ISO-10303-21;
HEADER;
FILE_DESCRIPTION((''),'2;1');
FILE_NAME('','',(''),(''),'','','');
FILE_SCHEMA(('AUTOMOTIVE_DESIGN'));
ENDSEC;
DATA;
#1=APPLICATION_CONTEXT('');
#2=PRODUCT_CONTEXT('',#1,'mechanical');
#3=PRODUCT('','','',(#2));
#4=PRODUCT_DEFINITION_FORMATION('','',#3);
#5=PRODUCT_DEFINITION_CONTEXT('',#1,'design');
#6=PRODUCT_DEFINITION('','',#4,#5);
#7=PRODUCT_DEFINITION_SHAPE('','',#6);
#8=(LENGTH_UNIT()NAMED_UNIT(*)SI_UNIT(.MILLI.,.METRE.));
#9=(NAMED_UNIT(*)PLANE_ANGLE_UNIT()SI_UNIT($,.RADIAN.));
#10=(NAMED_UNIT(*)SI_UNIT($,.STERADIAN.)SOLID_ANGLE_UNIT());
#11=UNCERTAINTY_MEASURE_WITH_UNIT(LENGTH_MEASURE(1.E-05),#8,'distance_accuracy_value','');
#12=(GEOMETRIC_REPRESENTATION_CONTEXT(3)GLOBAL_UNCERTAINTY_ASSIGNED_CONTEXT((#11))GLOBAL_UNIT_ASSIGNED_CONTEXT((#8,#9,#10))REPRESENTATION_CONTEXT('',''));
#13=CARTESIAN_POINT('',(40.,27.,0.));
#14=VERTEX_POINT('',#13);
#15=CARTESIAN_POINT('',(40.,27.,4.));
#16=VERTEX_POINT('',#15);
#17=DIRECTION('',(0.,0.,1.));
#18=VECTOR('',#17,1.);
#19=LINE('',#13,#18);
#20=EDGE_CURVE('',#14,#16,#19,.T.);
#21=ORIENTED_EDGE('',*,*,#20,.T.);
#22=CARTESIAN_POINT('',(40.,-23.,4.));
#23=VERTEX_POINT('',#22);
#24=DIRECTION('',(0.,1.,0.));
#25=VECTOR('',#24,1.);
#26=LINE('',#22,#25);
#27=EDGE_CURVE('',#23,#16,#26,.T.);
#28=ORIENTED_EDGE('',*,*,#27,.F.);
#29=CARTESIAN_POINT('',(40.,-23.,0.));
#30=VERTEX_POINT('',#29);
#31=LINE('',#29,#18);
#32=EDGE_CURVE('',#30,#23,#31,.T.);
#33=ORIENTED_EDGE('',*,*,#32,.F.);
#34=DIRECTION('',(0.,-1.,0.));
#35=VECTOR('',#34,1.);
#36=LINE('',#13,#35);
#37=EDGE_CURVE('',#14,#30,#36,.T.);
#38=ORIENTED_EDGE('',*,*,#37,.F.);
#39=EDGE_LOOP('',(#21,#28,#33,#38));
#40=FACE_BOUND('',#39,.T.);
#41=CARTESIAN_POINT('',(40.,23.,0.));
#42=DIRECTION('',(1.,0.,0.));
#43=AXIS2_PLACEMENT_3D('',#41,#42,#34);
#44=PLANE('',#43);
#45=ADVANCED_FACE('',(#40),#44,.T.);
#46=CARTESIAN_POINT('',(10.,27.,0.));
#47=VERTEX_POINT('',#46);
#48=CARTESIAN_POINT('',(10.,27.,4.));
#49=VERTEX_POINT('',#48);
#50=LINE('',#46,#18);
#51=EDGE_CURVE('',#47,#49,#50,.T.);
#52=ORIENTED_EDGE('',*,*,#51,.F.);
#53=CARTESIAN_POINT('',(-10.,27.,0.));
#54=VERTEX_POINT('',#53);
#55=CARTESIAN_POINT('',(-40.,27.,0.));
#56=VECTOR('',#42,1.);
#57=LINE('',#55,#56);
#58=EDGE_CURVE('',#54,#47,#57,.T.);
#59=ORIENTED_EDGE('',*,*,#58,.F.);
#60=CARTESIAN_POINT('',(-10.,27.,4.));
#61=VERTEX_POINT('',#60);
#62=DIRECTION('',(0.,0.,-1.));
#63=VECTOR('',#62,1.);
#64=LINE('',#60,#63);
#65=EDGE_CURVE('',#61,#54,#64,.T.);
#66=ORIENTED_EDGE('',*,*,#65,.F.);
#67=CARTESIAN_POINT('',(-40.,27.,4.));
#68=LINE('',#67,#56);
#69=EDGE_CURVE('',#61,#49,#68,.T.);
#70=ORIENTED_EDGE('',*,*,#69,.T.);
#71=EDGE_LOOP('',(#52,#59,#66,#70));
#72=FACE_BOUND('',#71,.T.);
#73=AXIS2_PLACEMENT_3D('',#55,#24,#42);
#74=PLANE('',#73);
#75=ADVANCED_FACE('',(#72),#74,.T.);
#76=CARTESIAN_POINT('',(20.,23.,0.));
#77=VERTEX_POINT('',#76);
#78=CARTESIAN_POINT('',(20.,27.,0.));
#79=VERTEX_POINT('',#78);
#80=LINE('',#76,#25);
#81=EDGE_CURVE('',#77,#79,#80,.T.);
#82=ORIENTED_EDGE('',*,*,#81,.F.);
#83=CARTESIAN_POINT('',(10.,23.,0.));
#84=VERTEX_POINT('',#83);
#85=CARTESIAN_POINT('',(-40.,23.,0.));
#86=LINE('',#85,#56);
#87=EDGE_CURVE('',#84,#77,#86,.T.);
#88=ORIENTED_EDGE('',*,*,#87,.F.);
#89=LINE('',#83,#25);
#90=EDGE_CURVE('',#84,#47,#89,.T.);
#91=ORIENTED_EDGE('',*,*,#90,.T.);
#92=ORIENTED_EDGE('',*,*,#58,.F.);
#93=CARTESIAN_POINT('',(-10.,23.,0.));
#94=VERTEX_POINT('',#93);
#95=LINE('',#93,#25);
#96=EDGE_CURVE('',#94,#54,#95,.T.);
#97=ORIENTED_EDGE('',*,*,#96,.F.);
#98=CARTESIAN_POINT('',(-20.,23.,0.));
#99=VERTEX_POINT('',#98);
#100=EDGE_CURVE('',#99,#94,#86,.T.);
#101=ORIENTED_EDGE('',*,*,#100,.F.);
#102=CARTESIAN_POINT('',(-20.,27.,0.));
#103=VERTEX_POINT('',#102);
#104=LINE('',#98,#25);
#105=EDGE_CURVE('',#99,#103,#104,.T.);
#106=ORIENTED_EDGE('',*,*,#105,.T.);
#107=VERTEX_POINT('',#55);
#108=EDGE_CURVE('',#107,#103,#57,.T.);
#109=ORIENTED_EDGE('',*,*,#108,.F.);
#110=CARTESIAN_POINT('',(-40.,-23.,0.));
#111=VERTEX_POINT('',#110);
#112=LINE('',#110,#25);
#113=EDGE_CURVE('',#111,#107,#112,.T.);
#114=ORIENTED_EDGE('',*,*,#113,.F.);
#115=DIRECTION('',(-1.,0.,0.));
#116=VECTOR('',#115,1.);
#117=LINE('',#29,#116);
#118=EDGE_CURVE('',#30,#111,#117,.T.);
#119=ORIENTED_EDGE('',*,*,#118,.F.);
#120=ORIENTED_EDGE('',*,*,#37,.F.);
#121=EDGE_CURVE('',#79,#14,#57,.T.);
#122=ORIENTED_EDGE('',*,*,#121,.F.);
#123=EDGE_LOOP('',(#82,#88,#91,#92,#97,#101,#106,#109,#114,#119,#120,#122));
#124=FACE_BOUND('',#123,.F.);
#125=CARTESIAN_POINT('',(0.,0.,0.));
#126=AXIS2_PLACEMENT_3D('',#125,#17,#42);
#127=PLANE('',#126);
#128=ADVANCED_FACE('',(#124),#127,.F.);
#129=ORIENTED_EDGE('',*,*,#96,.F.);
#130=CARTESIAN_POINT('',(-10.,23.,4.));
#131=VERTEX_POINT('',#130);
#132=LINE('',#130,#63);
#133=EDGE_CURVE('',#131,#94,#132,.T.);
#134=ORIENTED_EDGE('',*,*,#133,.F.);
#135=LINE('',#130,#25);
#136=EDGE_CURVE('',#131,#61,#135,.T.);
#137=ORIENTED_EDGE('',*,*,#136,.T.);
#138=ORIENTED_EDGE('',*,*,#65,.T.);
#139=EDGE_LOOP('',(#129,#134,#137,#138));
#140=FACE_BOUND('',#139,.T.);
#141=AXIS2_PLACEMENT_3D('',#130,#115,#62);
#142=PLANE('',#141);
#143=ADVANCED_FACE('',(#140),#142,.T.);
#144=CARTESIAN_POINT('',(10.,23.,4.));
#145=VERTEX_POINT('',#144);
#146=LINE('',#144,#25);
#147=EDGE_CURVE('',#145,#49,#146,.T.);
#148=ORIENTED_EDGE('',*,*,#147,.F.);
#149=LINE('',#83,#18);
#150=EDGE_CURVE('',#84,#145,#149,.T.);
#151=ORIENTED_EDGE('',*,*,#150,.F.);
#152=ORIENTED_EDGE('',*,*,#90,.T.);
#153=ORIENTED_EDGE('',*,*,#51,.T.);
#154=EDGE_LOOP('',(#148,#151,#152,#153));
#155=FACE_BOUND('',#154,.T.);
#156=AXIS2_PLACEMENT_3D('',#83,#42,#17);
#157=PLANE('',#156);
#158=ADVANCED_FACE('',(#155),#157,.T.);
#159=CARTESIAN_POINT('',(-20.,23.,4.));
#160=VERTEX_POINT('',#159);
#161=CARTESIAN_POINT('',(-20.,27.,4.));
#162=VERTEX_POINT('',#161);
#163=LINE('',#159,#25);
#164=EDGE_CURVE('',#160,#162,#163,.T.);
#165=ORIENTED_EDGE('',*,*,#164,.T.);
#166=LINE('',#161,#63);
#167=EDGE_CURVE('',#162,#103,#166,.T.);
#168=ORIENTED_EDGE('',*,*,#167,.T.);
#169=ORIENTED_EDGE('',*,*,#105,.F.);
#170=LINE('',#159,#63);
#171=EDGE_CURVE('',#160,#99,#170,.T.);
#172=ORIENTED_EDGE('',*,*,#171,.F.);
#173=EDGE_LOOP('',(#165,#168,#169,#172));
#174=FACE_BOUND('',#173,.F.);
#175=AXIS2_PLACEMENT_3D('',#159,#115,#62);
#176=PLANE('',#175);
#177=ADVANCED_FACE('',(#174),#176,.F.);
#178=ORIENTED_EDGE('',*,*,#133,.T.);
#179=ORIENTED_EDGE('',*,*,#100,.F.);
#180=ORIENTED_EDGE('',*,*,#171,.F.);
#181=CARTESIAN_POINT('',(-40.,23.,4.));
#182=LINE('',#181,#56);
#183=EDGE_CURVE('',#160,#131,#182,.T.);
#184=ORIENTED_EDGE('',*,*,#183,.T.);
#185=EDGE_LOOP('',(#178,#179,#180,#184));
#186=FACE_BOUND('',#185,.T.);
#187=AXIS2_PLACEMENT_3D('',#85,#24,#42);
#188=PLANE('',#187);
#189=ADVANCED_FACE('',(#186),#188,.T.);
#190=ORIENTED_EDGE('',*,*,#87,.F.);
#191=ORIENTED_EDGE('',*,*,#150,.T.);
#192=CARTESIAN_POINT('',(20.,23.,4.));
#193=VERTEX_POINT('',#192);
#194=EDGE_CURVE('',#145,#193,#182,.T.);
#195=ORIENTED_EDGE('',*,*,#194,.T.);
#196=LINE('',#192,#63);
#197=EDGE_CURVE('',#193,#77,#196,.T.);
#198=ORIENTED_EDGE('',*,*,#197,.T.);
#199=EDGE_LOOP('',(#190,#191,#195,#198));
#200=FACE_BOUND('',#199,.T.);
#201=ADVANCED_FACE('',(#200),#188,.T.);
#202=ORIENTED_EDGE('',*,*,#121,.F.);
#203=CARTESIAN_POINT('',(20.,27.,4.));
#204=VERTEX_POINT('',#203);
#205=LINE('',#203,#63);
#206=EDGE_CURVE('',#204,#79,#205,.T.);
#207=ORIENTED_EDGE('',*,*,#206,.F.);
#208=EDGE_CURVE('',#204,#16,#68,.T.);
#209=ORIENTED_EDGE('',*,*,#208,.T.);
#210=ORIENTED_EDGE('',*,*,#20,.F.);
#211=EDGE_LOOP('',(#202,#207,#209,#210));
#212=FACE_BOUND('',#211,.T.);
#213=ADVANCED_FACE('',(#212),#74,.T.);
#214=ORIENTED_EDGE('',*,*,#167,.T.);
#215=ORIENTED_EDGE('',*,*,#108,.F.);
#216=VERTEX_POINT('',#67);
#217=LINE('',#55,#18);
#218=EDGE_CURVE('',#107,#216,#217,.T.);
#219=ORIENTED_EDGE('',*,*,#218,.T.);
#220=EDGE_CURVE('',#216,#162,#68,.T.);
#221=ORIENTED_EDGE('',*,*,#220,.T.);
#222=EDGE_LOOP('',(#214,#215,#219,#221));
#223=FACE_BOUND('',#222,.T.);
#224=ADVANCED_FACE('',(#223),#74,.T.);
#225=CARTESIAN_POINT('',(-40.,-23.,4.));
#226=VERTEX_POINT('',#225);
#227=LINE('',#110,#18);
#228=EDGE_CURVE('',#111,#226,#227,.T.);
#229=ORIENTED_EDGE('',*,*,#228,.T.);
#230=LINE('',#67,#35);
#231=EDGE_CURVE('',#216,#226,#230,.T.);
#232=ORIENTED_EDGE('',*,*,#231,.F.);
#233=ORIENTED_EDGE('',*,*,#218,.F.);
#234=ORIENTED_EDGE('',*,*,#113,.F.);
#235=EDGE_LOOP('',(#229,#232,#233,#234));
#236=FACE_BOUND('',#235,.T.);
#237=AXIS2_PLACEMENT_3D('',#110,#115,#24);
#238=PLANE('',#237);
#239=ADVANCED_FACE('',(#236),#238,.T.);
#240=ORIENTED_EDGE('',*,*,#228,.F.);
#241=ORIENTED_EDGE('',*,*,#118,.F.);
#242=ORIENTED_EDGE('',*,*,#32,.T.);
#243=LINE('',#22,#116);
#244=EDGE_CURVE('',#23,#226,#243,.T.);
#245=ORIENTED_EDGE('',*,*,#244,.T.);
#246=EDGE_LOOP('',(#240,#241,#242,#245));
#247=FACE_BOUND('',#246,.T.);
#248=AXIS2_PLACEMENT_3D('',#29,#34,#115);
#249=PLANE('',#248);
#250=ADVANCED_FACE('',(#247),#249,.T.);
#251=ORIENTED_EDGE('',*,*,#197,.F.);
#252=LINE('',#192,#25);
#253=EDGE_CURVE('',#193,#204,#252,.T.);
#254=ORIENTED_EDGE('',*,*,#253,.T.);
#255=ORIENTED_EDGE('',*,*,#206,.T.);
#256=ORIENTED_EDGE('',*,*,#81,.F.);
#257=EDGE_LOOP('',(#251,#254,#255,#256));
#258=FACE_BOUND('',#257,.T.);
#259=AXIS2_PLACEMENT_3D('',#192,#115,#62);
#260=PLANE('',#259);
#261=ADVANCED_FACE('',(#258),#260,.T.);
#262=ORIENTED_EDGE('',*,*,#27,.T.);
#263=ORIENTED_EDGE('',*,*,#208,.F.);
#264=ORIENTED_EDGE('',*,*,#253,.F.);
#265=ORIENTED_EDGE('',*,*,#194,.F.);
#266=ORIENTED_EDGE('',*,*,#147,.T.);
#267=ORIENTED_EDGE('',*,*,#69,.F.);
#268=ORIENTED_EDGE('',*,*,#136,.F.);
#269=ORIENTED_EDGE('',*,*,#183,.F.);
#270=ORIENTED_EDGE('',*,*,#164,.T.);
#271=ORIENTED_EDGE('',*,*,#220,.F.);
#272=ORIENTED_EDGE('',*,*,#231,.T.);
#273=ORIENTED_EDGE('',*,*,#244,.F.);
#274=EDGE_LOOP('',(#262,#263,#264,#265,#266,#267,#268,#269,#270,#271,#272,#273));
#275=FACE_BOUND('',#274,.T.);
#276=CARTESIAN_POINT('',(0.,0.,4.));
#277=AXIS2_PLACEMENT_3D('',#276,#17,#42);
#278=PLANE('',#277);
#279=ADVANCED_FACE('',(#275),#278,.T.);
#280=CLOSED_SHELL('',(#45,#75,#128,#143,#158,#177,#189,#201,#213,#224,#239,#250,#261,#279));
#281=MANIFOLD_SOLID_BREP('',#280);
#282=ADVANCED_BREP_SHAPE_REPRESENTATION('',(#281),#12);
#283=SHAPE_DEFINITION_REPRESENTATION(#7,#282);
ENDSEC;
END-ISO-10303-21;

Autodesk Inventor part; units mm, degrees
ref_plane "YZ Plane" through (0, 0, 0) normal (1, 0, 0) x (0, 1, 0)
ref_plane "XZ Plane" through (0, 0, 0) normal (0, 1, 0) x (-1, 0, 0)
ref_plane "XY Plane" through (0, 0, 0) normal (0, 0, 1) x (1, 0, 0)
sketch "Эскиз1" plane through (0, 0, 0) normal (0, 0, 1) x (1, 0, 0)
  line L0 (-40, 23) -> (40, 23)
  line L1 (40, 23) -> (40, -23)
  line L2 (40, -23) -> (-40, -23)
  line L3 (-40, -23) -> (-40, 23)
  line L4 (-40, 23) -> (40, -23) construction
  line L5 (40, 23) -> (-40, -23) construction
  point P0 (0, 0)
  dimension "d0" = 80
  dimension "d1" = 46
extrude "Выдавливание1" add sketch "Эскиз1" along normal blind 4
sketch "Эскиз2" plane through (-40, 23, 0) normal (0, 1, 0) x (1, 0, 0)
  line L0 (0, -4) -> (80, -4) projected
  line L1 (0, 0) -> (80, 0) projected
  line L2 (0, -4) -> (20, -4)
  line L3 (20, -4) -> (20, 0)
  line L4 (20, 0) -> (0, 0)
  line L5 (0, 0) -> (0, -4)
  line L6 (80, -4) -> (60, -4)
  line L7 (60, -4) -> (60, 0)
  line L8 (60, 0) -> (80, 0)
  line L9 (80, 0) -> (80, -4)
  line L10 (50, -4) -> (30, -4)
  line L11 (30, -4) -> (30, 0)
  line L12 (30, 0) -> (50, 0)
  line L13 (50, 0) -> (50, -4)
  point P0 (40, 0)
  point P1 (30, -2)
  point P2 (20, -2)
  point P3 (60, -2)
  point P4 (50, -2)
  dimension "d4" = 10
  dimension "d6" = 20
extrude "Выдавливание2" add sketch "Эскиз2" along normal blind 4 contours L5 L1 L3 L0 | L11 L1 L13 L0 | L7 L1 L9 L0
properties part number "стенка"
